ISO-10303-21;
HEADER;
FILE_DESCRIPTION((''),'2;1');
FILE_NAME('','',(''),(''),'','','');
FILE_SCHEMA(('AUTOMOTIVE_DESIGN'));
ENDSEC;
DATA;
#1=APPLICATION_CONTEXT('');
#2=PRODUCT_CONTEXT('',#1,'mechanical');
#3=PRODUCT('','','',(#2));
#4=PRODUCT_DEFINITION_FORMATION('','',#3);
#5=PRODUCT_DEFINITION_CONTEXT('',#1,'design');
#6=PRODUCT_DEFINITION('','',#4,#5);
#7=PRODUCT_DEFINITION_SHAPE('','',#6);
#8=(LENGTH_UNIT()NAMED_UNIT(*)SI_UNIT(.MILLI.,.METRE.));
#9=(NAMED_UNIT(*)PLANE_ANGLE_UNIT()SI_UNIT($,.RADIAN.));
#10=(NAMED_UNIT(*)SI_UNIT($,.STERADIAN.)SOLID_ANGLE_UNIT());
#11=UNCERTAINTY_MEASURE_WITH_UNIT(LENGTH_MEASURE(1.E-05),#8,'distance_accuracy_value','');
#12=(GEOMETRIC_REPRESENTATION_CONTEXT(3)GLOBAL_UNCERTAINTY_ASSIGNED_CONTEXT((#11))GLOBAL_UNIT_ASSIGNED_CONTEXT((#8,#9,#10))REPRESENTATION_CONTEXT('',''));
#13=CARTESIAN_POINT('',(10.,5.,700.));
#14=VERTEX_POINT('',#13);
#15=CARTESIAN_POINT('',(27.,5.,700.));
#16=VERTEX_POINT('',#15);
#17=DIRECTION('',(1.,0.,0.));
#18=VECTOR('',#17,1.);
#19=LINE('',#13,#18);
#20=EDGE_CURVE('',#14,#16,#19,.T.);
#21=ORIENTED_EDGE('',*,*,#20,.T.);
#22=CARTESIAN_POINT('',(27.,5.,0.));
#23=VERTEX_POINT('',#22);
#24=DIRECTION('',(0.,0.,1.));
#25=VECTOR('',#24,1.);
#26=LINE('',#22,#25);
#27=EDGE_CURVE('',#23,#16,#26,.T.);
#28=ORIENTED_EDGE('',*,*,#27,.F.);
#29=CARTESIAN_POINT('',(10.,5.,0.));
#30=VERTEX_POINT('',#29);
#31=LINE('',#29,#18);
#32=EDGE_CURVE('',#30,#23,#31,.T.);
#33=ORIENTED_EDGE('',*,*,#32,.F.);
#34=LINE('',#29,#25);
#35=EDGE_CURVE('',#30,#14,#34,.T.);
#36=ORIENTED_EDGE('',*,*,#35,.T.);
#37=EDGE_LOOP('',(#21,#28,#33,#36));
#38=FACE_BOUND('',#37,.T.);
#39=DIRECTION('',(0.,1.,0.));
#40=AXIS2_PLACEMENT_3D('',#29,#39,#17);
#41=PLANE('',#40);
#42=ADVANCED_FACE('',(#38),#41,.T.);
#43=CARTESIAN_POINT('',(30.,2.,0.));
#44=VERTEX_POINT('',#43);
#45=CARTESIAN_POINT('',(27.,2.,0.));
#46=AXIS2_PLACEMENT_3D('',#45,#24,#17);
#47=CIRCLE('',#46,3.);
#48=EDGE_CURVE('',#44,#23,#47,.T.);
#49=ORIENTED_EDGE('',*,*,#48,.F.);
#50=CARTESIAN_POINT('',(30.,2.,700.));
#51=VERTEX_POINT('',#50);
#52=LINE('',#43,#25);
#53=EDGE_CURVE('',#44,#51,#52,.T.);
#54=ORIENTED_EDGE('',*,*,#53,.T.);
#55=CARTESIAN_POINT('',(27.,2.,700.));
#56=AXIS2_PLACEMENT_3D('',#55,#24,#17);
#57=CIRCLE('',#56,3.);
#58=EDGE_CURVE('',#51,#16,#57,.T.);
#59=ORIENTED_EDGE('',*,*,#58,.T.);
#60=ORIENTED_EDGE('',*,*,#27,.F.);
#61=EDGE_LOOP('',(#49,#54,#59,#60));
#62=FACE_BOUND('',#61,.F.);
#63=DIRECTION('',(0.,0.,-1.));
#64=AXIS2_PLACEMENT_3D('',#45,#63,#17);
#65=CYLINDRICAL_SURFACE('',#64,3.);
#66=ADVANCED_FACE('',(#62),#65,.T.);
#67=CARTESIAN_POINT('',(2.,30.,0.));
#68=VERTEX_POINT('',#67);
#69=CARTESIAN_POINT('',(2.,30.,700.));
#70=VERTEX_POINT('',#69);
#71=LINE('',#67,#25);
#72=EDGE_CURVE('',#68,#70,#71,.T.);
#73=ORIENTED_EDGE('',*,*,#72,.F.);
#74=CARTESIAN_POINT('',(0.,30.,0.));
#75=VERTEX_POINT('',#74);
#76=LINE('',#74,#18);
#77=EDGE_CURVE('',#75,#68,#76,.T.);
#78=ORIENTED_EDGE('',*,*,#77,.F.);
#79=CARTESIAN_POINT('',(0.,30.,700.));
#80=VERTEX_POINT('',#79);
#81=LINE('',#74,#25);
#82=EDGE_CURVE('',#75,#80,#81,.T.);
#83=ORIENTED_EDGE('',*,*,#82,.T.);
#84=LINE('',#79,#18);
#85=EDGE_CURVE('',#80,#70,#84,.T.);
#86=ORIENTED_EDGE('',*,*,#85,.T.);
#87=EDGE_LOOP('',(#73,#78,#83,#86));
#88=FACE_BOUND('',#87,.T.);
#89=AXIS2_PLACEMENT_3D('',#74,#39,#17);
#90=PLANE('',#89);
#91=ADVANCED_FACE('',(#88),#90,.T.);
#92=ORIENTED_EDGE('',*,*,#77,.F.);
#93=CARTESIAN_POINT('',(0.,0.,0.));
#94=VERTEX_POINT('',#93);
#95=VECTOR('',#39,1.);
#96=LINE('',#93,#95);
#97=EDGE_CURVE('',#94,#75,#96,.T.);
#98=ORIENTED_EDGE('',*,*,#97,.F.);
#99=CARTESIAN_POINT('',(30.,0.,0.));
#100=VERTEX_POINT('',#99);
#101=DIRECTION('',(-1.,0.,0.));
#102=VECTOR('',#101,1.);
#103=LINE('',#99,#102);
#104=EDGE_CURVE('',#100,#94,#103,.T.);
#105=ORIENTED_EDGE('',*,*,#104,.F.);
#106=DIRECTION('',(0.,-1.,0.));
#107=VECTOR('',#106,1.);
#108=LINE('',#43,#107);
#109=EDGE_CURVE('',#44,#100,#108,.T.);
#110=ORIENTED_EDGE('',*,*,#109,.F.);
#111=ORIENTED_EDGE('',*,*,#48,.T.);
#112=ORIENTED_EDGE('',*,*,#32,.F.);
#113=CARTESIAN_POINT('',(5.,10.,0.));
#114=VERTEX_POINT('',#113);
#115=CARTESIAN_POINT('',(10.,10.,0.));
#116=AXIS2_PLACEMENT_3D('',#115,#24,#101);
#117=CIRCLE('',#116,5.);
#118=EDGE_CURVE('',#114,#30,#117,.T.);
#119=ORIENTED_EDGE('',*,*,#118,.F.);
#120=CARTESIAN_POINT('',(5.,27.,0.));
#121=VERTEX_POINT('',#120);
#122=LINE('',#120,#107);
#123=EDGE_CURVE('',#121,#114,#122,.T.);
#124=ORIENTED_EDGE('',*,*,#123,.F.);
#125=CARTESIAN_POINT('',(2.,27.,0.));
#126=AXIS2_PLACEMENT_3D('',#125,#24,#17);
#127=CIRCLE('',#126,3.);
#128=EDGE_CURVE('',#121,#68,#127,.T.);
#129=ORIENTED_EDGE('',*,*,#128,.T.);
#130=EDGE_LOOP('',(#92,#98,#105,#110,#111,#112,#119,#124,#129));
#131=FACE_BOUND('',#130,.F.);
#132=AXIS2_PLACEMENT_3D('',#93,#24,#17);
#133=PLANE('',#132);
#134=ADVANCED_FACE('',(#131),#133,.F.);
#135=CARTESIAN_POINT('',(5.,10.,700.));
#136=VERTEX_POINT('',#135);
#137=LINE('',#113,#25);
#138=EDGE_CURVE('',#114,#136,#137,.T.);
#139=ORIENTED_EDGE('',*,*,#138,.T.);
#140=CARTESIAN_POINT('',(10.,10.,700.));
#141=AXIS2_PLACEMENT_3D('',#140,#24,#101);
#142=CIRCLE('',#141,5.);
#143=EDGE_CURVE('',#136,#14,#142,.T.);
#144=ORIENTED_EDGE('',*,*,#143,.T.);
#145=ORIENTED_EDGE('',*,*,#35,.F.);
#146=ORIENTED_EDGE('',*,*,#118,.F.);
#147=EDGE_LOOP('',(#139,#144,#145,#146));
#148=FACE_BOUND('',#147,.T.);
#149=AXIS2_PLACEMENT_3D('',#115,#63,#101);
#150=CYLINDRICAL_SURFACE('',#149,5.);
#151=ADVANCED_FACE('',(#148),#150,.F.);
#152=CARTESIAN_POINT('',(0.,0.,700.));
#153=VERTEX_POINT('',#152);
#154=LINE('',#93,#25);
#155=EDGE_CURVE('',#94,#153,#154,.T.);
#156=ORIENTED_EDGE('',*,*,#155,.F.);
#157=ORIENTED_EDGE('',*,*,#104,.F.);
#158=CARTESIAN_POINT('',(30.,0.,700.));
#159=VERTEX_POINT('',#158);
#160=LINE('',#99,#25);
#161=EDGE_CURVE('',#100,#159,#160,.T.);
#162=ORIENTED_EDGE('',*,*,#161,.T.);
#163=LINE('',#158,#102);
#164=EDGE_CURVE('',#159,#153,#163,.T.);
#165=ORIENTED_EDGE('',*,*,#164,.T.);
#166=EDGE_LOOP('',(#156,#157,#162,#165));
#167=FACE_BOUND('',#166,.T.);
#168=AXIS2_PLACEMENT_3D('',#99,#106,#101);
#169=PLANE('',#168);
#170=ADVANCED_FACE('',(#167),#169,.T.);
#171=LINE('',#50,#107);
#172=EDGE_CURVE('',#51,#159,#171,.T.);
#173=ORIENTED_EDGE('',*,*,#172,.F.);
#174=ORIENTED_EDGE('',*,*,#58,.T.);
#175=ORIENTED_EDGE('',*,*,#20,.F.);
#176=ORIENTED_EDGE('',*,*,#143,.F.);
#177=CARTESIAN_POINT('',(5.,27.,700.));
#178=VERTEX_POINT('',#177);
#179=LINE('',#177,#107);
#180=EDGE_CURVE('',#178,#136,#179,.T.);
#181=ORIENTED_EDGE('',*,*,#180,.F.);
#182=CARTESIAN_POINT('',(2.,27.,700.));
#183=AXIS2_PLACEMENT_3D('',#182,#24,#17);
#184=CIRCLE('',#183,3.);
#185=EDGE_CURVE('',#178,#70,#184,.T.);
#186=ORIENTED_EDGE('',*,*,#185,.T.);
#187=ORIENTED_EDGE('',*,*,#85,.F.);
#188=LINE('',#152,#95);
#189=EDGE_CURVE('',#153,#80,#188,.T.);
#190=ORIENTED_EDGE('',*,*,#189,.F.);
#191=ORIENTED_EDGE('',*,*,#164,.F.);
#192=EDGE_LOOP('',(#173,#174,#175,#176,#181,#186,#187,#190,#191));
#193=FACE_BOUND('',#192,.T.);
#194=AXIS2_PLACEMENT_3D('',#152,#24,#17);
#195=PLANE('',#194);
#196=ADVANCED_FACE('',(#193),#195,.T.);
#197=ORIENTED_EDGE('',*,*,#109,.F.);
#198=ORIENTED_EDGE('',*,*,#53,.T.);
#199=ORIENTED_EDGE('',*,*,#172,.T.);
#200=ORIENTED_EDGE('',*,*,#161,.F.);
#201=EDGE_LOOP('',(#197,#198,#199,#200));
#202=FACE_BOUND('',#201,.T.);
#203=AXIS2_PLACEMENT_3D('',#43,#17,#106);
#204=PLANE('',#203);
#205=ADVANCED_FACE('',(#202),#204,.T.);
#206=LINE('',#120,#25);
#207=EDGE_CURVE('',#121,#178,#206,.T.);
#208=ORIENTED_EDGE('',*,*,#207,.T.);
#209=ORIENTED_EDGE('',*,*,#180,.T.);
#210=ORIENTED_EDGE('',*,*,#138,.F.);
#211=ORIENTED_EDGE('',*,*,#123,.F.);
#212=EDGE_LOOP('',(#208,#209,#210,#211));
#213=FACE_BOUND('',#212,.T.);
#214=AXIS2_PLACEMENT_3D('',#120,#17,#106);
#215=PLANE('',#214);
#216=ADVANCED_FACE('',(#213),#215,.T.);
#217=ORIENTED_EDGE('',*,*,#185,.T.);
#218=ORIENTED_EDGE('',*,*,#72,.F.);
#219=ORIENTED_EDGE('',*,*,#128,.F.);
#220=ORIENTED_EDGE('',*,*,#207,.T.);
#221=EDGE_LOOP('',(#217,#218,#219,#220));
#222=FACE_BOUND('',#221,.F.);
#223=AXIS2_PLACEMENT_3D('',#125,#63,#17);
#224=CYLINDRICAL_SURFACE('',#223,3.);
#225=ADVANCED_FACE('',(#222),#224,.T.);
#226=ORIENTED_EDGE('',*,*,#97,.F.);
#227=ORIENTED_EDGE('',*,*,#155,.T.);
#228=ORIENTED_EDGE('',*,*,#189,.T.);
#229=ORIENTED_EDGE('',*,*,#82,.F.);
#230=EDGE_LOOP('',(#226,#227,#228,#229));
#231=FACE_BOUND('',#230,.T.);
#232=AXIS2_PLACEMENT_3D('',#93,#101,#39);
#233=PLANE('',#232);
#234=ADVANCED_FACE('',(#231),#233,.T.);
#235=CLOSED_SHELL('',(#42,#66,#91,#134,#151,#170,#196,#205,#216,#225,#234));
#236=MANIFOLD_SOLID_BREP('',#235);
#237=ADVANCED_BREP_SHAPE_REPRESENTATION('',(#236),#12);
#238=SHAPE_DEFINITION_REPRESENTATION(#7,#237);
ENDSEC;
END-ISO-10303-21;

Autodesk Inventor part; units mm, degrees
ref_plane "YZ Plane" through (0, 0, 0) normal (1, 0, 0) x (0, 1, 0)
ref_plane "Plano inicial" through (0, 0, 0) normal (0, 0, 1) x (1, 0, 0)
ref_plane "Plano final" through (0, 0, 700) normal (0, 0, 1) x (1, 0, 0)
sketch "Rascunho" plane through (0, 0, 0) normal (0, 0, 1) x (1, 0, 0)
  line L0 (30, 0) -> (0, 0)
  line L1 (0, 0) -> (0, 30)
  line L2 (0, 30) -> (2, 30)
  line L3 (5, 27) -> (5, 10)
  line L4 (10, 5) -> (27, 5)
  line L5 (30, 2) -> (30, 0)
  line L6 (0, -11.0414) -> (0, 31.5385) construction
  line L7 (-11.0414, 0) -> (31.5385, 0) construction
  arc A0 (5, 10) -> (10, 5) centre (10, 10) ccw
  arc A1 (5, 27) -> (2, 30) centre (2, 27) ccw
  arc A2 (30, 2) -> (27, 5) centre (27, 2) ccw
  line L8 (0, 62.9539) -> (0, -23.374) construction
  line L9 (-23.374, 0) -> (62.9539, 0) construction
  point P0 (5, 30)
  point P1 (5, 5)
  point P2 (30, 5)
  dimension "d0" = 30
  dimension "d1" = 30
  dimension "d2" = 5
  dimension "d3" = 5
  dimension "d8" = 5
  dimension "d9" = 3
  dimension "d10" = 0
  dimension "d11" = 0
extrude "Corpo" add sketch "Rascunho" along normal up to surface (700 mm away) from surface at 0
sketch "Sketch3" plane through (0, 0, 0) normal (0, 0, 1) x (1, 0, 0)
  line L0 (0, 0) -> (10, 0)
ref_plane "Work Plane3" through (0, 0, 0) normal (0, -1, 0) x (1, 0, 0)
sketch "Sketch4" plane through (0, 0, 0) normal (0, -1, 0) x (1, 0, 0)
  line L0 (-2, 0) -> (12, 0) projected
  line L1 (-2, 700) -> (12, 700) projected
  dimension "d15" = 700
equation "\"d0\" = G_H"
equation "\"d1\" = G_H"
equation "\"d2\" = G_T"
equation "\"d3\" = G_T"
equation "\"d8\" = G_IR"
equation "\"d9\" = G_ER"
equation "\"d4\" = G_L"
equation "\"G_H\" = 30"
equation "\"G_T\" = 5"
equation "\"G_ER\" = 3"
equation "\"G_IR\" = 5"
equation "\"G_L\" = d15"
equation "\"ex\" = 0"
equation "\"G_OFFSET_START\" = 0"
equation "\"G_OFFSET_END\" = 0"
properties part number "IS 808 - ISA 3030 - 700" material "Aço, suave"
